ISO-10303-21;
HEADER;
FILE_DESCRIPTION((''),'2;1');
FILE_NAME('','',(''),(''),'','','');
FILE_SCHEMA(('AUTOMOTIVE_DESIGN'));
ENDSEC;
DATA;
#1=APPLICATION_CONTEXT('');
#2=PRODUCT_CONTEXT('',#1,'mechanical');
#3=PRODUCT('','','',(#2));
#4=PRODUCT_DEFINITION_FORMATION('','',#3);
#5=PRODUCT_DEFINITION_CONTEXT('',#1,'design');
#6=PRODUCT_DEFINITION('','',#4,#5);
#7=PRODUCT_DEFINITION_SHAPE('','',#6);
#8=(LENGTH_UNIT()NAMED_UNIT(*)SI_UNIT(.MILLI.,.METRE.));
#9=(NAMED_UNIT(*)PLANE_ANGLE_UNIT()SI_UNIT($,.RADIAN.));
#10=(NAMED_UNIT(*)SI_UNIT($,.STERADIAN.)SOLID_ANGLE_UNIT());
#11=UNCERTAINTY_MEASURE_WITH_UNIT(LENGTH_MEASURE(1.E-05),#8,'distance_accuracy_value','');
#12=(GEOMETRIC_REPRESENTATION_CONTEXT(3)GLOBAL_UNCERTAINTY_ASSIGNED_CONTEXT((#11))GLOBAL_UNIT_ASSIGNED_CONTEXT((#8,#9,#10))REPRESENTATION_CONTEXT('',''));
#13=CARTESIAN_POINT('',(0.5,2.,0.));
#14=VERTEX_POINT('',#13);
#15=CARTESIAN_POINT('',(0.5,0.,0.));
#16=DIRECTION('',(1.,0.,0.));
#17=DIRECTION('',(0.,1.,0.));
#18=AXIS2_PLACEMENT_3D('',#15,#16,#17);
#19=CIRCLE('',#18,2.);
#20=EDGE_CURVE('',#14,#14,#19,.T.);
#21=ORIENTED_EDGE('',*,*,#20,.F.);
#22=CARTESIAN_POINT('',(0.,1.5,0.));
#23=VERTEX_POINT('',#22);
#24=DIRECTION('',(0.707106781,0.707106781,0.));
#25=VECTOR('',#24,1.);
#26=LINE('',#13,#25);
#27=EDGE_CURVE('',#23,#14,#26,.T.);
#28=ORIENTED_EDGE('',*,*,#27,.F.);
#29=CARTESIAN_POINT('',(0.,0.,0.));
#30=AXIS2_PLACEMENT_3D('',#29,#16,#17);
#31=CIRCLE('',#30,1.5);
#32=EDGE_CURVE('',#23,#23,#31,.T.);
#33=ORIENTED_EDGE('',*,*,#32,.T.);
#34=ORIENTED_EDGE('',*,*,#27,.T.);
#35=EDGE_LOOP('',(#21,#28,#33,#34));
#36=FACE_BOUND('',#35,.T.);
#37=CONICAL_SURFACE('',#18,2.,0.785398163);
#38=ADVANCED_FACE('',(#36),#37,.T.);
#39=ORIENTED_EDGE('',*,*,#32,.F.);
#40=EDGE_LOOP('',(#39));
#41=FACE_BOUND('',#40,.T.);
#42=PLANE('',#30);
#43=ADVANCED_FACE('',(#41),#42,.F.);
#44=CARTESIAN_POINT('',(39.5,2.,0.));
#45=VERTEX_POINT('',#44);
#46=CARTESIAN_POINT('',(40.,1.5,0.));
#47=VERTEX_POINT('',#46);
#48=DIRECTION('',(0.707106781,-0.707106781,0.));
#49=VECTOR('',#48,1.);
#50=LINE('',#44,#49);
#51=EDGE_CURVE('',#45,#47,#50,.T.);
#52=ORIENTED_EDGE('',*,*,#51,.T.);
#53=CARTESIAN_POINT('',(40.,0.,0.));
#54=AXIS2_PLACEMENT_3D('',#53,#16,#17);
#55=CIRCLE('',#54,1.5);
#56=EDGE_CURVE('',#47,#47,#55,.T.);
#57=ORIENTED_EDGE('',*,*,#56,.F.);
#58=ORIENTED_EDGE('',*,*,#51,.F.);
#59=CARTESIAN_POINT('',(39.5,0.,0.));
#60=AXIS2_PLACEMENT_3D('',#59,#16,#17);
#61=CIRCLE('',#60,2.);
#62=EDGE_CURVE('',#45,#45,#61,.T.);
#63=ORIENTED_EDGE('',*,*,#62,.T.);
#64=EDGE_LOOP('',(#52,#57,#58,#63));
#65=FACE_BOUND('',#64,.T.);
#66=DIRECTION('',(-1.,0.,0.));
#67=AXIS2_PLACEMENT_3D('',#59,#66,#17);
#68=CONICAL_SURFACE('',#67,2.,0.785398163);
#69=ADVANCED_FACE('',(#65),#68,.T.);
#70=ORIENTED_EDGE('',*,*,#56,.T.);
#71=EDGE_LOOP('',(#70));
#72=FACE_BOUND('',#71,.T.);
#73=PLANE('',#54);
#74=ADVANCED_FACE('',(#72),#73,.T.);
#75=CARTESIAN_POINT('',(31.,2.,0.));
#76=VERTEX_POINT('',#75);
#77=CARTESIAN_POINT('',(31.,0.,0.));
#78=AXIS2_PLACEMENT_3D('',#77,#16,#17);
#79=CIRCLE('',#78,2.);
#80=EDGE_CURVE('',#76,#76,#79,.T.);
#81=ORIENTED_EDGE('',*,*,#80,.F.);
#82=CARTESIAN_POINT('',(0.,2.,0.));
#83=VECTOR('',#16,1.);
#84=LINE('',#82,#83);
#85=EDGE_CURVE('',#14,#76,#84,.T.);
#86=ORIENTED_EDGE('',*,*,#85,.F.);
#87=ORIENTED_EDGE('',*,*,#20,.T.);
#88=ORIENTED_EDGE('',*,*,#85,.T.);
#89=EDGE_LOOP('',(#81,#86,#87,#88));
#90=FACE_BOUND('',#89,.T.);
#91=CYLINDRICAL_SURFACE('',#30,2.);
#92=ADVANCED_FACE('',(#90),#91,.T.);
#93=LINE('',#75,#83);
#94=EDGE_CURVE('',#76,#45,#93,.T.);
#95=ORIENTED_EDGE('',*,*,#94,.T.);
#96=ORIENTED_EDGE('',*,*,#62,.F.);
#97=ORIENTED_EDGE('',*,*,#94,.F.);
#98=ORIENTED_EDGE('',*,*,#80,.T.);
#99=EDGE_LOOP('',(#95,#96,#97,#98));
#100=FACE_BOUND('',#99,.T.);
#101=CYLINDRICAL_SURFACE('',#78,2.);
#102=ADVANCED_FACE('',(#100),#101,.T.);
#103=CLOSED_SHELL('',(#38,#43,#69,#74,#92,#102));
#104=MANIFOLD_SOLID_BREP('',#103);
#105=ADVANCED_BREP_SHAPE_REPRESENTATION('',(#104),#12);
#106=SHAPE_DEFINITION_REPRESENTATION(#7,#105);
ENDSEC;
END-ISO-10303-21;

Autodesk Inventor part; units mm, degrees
ref_plane "Startebene" through (0, 0, 0) normal (1, 0, 0) x (0, 1, 0)
ref_plane "XZ Plane" through (0, 0, 0) normal (0, 1, 0) x (-1, 0, 0)
ref_plane "XY Plane" through (0, 0, 0) normal (0, 0, 1) x (1, 0, 0)
sketch "Hauptskizze" plane through (0, 0, 0) normal (0, 0, 1) x (1, 0, 0)
  line L0 (0, 0) -> (40, 0)
  line L1 (0, 0) -> (0, 2)
  line L2 (0, 2) -> (31, 2)
  line L3 (40, 2) -> (40, 0)
  line L4 (31, 2) -> (40, 2)
  dimension "d3" = 4
  dimension "d5" = 4
revolve "Umdrehung1" add sketch "Hauptskizze" angle 360 about axis through (0, 0, 0) along (1, 0, 0)
chamfer "Fase1" distance 0.5 angle 45 1 edges at (0, -2, 0) measured on face at (10.3333, 1.9935, -0.1609)
chamfer "Fase2" distance 0.5 angle 45 1 edges at (40, -2, 0) measured on face at (34, 1.9935, -0.1609)
properties part number "Welle" material "Steel"
